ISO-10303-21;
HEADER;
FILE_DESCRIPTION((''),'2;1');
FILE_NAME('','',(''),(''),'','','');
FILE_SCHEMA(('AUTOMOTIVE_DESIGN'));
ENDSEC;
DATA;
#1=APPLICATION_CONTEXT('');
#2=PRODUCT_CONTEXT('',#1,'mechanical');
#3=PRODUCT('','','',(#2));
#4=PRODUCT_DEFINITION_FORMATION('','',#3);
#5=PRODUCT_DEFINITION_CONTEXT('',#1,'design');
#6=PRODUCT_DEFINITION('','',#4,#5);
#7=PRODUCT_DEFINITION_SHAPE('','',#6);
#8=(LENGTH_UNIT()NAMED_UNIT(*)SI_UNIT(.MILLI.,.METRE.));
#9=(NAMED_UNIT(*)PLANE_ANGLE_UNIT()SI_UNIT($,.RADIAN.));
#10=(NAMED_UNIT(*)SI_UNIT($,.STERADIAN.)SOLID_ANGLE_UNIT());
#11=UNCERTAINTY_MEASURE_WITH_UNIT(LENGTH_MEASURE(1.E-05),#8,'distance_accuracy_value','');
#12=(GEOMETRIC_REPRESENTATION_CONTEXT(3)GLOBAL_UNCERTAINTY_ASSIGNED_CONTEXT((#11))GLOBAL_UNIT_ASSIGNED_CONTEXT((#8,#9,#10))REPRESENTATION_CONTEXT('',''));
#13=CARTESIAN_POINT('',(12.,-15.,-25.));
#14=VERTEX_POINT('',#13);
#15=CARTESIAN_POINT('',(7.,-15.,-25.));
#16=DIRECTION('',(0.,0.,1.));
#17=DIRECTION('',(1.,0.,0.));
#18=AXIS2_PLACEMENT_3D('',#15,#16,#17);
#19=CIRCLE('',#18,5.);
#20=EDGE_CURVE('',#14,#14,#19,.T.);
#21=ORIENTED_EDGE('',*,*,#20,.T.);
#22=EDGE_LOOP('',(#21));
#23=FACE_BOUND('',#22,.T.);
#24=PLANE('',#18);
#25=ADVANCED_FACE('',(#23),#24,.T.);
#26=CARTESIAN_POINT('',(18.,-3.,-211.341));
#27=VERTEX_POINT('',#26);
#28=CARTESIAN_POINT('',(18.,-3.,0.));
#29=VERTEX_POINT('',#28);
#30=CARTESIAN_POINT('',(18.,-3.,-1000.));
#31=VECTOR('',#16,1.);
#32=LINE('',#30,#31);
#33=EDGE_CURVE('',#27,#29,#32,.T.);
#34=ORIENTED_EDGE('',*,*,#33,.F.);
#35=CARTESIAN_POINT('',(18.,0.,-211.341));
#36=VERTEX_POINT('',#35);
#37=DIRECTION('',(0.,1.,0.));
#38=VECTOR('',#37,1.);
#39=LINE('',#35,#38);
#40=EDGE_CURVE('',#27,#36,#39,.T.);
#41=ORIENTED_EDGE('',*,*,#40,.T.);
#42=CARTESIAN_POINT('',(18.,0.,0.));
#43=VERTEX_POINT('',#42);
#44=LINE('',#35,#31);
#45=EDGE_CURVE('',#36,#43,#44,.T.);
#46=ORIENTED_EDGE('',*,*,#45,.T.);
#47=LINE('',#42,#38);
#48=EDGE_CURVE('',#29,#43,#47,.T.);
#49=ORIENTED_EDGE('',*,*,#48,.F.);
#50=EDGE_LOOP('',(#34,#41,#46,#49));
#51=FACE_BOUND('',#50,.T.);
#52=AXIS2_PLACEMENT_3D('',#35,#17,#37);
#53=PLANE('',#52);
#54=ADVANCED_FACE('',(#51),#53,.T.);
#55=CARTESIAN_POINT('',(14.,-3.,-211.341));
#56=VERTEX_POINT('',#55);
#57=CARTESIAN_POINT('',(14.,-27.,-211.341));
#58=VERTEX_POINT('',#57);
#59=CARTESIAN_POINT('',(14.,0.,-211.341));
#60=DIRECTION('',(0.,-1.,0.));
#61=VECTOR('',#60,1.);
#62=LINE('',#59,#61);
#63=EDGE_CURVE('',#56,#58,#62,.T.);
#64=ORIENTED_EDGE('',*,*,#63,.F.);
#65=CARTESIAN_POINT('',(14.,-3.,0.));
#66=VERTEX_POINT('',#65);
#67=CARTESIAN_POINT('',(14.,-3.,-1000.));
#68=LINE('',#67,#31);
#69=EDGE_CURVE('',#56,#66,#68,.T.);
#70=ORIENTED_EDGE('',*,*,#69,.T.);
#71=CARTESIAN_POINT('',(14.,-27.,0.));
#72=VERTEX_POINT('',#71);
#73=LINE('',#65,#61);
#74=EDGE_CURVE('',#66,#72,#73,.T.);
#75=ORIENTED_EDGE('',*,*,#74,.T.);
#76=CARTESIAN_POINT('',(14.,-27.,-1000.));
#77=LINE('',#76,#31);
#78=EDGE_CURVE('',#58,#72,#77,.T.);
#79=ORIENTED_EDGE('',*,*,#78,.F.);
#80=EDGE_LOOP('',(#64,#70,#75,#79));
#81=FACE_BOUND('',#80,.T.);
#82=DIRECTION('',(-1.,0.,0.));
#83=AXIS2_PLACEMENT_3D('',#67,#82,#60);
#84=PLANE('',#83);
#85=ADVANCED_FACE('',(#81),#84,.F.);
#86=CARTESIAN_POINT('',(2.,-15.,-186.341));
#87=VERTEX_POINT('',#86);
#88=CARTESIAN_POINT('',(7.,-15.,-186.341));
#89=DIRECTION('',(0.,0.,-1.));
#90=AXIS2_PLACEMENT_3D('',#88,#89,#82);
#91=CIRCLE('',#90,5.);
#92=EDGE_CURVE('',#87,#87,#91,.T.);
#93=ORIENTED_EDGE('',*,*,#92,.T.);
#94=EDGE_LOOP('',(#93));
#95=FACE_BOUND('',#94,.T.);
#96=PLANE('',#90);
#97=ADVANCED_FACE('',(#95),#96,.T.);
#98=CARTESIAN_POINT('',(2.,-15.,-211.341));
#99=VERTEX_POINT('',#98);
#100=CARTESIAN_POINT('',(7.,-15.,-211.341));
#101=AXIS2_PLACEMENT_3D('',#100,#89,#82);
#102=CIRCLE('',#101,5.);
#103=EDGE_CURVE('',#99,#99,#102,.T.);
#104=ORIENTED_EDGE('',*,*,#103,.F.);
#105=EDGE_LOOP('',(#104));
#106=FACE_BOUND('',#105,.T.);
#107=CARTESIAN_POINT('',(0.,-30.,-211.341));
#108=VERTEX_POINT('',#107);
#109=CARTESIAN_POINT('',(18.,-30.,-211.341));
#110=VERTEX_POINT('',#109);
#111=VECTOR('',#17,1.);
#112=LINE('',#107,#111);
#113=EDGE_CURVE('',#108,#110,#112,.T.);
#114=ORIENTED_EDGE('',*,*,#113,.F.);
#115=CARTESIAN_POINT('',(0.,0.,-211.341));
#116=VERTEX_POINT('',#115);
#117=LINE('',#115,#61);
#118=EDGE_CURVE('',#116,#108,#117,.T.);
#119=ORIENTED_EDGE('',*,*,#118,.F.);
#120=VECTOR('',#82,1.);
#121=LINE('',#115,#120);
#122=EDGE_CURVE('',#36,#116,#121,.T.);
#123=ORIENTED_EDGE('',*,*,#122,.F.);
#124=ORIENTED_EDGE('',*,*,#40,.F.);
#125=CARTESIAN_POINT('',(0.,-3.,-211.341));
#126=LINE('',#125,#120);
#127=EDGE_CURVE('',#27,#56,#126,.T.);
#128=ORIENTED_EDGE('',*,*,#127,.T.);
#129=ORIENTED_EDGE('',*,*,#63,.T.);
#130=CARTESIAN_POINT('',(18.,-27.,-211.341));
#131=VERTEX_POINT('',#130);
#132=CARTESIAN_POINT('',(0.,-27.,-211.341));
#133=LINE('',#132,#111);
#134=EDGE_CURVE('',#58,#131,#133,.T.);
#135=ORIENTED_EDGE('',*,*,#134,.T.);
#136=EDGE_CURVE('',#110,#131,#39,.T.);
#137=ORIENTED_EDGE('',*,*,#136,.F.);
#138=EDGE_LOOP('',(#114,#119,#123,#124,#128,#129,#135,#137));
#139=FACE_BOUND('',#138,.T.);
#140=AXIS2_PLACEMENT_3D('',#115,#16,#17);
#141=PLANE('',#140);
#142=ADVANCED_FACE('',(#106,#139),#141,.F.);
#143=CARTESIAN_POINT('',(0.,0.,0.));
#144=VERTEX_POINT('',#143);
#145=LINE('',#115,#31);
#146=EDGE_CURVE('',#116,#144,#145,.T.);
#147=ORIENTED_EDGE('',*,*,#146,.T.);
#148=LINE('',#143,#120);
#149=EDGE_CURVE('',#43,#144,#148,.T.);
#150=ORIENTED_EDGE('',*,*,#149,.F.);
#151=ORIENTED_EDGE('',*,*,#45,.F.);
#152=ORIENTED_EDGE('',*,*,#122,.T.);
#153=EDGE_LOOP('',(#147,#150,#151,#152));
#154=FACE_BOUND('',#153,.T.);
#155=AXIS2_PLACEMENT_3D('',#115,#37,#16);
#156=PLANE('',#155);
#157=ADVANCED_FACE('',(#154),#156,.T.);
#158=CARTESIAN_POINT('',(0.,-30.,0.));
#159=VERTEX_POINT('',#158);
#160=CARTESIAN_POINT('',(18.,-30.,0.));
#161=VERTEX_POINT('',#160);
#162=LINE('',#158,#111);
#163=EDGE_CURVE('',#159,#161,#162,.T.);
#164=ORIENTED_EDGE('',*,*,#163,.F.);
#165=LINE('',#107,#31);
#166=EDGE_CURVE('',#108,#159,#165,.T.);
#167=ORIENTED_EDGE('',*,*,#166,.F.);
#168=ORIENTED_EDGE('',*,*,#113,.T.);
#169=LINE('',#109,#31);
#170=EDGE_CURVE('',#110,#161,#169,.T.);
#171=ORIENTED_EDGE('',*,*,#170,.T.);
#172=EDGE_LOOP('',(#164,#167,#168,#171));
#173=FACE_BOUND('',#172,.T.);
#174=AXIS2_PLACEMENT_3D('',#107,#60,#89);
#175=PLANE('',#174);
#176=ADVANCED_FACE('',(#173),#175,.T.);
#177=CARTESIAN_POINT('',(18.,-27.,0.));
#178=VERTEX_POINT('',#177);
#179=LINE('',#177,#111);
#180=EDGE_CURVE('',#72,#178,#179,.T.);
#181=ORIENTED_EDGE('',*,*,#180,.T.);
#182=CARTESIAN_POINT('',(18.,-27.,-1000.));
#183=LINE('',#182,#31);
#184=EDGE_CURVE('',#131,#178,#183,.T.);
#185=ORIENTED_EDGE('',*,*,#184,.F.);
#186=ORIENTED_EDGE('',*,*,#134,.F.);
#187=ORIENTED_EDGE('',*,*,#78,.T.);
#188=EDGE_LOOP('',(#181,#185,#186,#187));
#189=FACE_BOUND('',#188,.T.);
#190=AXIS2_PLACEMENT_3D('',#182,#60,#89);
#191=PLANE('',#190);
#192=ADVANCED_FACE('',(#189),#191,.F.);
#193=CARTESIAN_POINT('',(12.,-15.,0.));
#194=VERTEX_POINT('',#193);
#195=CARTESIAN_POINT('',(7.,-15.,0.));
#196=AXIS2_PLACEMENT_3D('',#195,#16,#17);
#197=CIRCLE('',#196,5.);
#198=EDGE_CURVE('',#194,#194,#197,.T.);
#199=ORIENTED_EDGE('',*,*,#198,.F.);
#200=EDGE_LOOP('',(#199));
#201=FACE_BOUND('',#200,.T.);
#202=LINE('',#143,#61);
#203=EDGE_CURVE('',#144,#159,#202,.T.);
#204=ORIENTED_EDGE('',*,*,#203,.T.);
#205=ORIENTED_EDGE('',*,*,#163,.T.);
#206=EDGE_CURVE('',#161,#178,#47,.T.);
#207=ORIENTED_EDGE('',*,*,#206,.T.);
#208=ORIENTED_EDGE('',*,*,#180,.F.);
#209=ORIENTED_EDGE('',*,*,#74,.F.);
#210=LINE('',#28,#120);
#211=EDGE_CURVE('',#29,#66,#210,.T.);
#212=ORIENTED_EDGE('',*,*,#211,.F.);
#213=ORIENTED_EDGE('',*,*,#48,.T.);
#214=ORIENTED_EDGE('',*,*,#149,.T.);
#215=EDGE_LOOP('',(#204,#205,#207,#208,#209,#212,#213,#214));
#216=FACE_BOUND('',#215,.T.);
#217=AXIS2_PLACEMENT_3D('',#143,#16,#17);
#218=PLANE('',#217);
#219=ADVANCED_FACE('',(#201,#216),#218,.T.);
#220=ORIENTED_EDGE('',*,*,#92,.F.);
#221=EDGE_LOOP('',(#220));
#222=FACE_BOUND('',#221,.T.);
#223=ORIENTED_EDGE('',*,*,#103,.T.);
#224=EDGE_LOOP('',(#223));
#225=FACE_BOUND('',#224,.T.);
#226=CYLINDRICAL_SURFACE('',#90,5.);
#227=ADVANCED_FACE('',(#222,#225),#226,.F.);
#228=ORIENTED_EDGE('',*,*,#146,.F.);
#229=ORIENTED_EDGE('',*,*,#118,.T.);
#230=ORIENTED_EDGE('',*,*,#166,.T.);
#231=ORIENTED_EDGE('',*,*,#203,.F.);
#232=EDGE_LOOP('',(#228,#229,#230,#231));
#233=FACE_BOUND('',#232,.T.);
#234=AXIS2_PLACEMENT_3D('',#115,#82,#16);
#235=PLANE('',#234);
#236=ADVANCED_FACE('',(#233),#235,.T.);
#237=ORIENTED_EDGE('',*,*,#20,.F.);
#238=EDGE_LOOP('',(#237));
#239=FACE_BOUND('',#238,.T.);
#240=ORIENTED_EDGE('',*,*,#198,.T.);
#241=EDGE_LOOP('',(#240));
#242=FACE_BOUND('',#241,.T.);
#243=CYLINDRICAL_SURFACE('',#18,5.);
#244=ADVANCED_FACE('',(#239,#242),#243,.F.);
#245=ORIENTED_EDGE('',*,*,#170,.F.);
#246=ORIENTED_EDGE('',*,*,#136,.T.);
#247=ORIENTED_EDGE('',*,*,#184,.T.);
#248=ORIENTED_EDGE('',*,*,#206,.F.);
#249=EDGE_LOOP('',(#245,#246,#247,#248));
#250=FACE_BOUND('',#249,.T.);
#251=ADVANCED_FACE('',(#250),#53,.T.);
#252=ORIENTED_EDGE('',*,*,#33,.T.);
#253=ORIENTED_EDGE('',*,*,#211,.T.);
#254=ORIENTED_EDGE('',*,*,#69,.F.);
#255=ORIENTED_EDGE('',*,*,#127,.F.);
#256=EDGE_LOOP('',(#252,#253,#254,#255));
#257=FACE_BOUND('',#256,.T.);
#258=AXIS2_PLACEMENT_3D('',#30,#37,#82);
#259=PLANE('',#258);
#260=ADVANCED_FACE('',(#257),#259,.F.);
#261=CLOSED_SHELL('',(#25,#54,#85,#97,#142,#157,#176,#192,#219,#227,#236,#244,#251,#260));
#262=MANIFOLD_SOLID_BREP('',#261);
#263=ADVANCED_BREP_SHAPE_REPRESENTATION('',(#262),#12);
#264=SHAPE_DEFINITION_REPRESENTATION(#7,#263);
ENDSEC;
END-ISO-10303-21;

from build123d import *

# Parameters (mm, degrees)
SKETCH2_W           = 18
SKETCH2_H           = 30
BOSS_EXTRUDE1_DEPTH = 211.341
SKETCH3_W           = 4
SKETCH3_H           = 24
CUT_EXTRUDE1_DEPTH  = 1000
SKETCH4_R           = 5
CUT_EXTRUDE2_DEPTH  = 25
CUT_EXTRUDE3_START  = -25
SKETCH5_R           = 5
CUT_EXTRUDE3_DEPTH  = 25


with BuildPart() as part:
    # Sketch2 → Boss-Extrude1 (new body)
    with BuildSketch(Plane.XY):
        with Locations((9, -15)):
            Rectangle(SKETCH2_W, SKETCH2_H)
    extrude(amount=-BOSS_EXTRUDE1_DEPTH)

    # Sketch3 → Cut-Extrude1 (cut)
    with BuildSketch(Plane.XY):
        with Locations((16, -15)):
            Rectangle(SKETCH3_W, SKETCH3_H)
    extrude(amount=-CUT_EXTRUDE1_DEPTH, mode=Mode.SUBTRACT)

    # Sketch4 → Cut-Extrude2 (cut)
    with BuildSketch(Plane.XY):
        with Locations((7, -15)):
            Circle(SKETCH4_R)
    extrude(amount=-CUT_EXTRUDE2_DEPTH, mode=Mode.SUBTRACT)

    # Sketch5 → Cut-Extrude3 (cut)
    with BuildSketch(Plane(origin=(0, 0, -211.341), x_dir=(-1, 0, 0), z_dir=(0, 0, -1)).offset(CUT_EXTRUDE3_START)):
        with Locations(Location((-7, -15, 0), (0, 0, 180))):
            Circle(SKETCH5_R)
    extrude(amount=CUT_EXTRUDE3_DEPTH, mode=Mode.SUBTRACT)


solid = part.part
